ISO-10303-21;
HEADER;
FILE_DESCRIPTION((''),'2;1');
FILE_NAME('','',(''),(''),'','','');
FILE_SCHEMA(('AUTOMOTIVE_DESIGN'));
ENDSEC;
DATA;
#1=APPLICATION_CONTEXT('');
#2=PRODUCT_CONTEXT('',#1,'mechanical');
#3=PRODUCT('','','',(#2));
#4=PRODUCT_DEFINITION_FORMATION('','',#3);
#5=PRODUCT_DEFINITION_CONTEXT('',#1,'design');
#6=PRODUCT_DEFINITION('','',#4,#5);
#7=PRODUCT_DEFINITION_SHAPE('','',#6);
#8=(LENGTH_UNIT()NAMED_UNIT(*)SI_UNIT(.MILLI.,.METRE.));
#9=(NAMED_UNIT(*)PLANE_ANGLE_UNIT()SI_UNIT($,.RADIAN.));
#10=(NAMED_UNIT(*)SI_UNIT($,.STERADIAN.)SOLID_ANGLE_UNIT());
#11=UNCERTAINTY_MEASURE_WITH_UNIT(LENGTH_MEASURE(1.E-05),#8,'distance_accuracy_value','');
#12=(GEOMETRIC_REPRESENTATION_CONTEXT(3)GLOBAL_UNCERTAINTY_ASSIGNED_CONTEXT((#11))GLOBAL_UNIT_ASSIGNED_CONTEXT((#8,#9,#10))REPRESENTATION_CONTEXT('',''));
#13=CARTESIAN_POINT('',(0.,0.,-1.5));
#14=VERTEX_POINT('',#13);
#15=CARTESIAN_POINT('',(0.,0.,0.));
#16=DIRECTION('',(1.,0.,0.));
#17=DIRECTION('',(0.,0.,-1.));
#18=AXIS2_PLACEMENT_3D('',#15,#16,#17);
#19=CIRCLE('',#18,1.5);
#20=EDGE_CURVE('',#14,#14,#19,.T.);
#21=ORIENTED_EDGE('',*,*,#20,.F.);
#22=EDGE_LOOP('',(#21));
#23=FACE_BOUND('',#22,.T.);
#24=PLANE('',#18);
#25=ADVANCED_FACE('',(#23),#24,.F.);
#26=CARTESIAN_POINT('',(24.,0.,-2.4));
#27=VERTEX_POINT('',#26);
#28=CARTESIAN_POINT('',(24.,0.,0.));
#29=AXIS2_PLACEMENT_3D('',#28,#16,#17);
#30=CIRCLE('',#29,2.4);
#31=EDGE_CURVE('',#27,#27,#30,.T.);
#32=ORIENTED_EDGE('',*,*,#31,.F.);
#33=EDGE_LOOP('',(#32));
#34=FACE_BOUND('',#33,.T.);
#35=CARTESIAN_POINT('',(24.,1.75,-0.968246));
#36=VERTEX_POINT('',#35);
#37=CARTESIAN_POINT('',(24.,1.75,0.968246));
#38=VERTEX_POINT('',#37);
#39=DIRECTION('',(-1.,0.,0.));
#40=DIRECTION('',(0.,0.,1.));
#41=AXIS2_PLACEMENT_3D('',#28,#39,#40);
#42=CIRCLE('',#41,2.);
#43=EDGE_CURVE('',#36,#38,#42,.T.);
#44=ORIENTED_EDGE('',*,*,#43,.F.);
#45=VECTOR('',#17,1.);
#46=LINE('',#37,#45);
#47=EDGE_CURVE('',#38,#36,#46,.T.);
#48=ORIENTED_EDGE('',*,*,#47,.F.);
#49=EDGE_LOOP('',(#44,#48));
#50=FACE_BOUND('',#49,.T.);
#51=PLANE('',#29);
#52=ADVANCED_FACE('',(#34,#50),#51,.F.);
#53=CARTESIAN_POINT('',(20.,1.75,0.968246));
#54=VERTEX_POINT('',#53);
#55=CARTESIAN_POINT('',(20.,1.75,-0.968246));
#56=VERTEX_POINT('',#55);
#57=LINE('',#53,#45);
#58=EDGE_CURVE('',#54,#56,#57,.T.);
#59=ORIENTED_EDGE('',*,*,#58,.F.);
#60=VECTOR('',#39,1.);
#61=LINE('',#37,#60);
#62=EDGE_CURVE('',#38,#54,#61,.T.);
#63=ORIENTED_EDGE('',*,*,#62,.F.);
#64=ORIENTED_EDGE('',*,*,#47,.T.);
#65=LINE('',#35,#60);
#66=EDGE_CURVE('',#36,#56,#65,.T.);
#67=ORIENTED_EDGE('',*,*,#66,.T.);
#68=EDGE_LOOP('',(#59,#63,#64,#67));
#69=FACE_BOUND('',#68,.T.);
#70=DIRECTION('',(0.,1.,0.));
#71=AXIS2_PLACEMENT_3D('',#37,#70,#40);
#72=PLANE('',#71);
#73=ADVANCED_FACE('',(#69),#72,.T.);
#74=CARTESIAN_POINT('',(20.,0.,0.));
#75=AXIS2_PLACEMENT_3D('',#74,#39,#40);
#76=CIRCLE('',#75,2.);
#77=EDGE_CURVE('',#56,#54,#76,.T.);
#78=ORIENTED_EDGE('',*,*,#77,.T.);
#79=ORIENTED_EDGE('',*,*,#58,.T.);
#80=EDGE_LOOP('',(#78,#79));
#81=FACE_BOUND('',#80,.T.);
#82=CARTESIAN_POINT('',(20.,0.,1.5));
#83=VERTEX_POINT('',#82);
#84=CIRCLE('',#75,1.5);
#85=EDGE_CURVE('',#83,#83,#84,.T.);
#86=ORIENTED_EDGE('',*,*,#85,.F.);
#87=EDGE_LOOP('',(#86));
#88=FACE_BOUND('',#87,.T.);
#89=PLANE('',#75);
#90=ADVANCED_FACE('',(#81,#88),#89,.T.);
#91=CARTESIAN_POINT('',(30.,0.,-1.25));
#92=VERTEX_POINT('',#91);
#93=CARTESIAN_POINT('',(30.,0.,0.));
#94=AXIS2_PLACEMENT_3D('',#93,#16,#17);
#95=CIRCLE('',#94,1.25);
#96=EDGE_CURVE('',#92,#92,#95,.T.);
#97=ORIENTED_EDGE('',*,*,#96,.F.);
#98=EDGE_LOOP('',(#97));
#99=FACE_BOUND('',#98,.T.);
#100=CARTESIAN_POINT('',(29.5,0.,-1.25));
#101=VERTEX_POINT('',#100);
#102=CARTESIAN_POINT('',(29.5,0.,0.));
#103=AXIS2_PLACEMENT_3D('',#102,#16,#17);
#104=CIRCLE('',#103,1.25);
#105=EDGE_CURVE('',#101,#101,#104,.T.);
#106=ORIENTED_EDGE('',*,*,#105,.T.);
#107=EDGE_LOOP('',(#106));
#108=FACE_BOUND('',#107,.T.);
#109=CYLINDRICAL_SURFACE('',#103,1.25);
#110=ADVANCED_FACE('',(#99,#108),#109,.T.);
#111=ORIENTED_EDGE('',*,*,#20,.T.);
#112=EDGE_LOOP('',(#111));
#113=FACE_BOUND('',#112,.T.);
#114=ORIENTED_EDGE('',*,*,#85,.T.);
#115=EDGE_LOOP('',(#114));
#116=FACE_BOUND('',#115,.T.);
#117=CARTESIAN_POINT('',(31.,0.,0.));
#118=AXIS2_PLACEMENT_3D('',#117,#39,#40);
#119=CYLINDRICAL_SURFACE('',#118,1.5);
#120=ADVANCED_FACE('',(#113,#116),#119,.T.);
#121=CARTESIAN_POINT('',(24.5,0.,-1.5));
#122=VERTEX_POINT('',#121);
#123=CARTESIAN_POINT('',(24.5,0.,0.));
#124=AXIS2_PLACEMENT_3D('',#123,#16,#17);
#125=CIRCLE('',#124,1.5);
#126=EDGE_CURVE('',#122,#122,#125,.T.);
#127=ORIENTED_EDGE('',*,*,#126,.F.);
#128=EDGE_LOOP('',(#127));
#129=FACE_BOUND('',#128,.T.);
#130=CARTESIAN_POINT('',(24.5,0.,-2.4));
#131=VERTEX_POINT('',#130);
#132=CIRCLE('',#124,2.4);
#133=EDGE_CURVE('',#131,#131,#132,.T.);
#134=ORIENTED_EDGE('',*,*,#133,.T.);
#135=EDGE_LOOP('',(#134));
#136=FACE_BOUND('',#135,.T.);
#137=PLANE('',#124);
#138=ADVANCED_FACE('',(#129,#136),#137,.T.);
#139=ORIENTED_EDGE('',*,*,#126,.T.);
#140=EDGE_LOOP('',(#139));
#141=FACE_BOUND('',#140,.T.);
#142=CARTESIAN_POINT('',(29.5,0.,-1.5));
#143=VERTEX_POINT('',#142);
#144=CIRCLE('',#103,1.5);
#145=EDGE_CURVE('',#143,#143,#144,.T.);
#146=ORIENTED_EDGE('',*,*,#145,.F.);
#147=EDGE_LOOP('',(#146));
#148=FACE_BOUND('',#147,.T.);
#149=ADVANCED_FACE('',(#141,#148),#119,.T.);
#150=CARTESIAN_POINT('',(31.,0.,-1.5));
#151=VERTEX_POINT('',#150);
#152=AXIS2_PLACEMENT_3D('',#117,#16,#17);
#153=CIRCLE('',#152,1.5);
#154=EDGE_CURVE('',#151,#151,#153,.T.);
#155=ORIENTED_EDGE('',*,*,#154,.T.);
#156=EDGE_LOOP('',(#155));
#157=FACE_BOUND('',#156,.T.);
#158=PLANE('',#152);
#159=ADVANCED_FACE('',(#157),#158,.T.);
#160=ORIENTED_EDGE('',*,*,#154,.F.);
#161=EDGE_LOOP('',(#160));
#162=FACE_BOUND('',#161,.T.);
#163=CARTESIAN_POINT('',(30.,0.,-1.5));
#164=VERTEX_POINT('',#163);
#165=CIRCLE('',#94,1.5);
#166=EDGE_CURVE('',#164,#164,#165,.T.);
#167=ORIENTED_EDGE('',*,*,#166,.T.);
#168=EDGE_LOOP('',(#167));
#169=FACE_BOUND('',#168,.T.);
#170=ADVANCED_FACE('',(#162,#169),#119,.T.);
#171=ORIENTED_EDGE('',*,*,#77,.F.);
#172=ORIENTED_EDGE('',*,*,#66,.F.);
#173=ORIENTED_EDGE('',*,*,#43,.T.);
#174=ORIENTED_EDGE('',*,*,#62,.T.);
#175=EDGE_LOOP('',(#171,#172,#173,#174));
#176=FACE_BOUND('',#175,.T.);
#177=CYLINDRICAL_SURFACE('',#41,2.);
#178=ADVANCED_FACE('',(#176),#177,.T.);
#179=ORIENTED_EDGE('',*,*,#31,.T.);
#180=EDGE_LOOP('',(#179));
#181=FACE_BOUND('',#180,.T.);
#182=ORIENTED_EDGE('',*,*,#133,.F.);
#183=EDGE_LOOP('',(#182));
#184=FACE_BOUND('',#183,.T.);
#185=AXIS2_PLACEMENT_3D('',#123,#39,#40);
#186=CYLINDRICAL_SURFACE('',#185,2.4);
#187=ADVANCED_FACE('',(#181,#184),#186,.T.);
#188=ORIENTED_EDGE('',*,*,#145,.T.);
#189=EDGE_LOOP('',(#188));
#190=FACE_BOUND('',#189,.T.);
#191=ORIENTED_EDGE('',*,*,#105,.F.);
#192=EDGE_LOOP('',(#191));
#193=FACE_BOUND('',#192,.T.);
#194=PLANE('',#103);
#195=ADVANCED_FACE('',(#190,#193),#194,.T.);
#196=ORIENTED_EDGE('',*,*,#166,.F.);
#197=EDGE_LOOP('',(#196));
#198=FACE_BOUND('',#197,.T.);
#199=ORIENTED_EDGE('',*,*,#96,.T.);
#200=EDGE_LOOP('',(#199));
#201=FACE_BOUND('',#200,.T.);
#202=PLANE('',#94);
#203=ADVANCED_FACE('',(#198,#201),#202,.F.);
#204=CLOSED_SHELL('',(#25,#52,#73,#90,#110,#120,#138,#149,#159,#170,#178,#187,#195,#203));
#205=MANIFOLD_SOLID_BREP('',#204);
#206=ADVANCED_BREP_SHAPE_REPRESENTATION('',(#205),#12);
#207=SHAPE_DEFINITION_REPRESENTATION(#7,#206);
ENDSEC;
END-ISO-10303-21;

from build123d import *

# Parameters (mm, degrees)
SKETCH_1_R          = 1.5
EXTRUDE_1_DEPTH     = 31
SKETCH_2_R          = 1.5
EXTRUDE_2_DEPTH     = 4
SKETCH_3_R          = 2.4
SKETCH_3_R_2        = 1.5
EXTRUDE_3_DEPTH     = 0.5
CUT_EXTRUDE_START   = -1.5
SKETCH_4_R          = 1.5
SKETCH_4_R_2        = 1.25
CUT_EXTRUDE_1_DEPTH = 0.5


with BuildPart() as part:
    # 草图1 → 凸台-拉伸1 (new body)
    with BuildSketch(Plane(origin=(0, 0, 0), x_dir=(0, 0, -1), z_dir=(1, 0, 0))):
        Circle(SKETCH_1_R)
    extrude(amount=EXTRUDE_1_DEPTH)

    # 草图2 → 凸台-拉伸2 (add)
    with BuildSketch(Plane.ZY.offset(-20)):
        with BuildLine():
            Line((0.968245837, 1.75), (-0.968245837, 1.75))
            ThreePointArc((-0.968245837, 1.75), (0, -2), (0.968245837, 1.75))
        make_face()
        Circle(SKETCH_2_R, mode=Mode.SUBTRACT)
    extrude(amount=-EXTRUDE_2_DEPTH)

    # 草图3 → 凸台-拉伸3 (add)
    with BuildSketch(Plane(origin=(24, 0, 0), x_dir=(0, 0, -1), z_dir=(1, 0, 0))):
        Circle(SKETCH_3_R)
        with Locations(Location((0, 0, 0), (0, 0, 180))):
            Circle(SKETCH_3_R_2, mode=Mode.SUBTRACT)
    extrude(amount=EXTRUDE_3_DEPTH)

    # 草图4 → 切除-拉伸1 (cut)
    with BuildSketch(Plane(origin=(31, 0, 0), x_dir=(0, 0, -1), z_dir=(1, 0, 0)).offset(CUT_EXTRUDE_START)):
        Circle(SKETCH_4_R)
        Circle(SKETCH_4_R_2, mode=Mode.SUBTRACT)
    extrude(amount=CUT_EXTRUDE_1_DEPTH, mode=Mode.SUBTRACT)


solid = part.part
